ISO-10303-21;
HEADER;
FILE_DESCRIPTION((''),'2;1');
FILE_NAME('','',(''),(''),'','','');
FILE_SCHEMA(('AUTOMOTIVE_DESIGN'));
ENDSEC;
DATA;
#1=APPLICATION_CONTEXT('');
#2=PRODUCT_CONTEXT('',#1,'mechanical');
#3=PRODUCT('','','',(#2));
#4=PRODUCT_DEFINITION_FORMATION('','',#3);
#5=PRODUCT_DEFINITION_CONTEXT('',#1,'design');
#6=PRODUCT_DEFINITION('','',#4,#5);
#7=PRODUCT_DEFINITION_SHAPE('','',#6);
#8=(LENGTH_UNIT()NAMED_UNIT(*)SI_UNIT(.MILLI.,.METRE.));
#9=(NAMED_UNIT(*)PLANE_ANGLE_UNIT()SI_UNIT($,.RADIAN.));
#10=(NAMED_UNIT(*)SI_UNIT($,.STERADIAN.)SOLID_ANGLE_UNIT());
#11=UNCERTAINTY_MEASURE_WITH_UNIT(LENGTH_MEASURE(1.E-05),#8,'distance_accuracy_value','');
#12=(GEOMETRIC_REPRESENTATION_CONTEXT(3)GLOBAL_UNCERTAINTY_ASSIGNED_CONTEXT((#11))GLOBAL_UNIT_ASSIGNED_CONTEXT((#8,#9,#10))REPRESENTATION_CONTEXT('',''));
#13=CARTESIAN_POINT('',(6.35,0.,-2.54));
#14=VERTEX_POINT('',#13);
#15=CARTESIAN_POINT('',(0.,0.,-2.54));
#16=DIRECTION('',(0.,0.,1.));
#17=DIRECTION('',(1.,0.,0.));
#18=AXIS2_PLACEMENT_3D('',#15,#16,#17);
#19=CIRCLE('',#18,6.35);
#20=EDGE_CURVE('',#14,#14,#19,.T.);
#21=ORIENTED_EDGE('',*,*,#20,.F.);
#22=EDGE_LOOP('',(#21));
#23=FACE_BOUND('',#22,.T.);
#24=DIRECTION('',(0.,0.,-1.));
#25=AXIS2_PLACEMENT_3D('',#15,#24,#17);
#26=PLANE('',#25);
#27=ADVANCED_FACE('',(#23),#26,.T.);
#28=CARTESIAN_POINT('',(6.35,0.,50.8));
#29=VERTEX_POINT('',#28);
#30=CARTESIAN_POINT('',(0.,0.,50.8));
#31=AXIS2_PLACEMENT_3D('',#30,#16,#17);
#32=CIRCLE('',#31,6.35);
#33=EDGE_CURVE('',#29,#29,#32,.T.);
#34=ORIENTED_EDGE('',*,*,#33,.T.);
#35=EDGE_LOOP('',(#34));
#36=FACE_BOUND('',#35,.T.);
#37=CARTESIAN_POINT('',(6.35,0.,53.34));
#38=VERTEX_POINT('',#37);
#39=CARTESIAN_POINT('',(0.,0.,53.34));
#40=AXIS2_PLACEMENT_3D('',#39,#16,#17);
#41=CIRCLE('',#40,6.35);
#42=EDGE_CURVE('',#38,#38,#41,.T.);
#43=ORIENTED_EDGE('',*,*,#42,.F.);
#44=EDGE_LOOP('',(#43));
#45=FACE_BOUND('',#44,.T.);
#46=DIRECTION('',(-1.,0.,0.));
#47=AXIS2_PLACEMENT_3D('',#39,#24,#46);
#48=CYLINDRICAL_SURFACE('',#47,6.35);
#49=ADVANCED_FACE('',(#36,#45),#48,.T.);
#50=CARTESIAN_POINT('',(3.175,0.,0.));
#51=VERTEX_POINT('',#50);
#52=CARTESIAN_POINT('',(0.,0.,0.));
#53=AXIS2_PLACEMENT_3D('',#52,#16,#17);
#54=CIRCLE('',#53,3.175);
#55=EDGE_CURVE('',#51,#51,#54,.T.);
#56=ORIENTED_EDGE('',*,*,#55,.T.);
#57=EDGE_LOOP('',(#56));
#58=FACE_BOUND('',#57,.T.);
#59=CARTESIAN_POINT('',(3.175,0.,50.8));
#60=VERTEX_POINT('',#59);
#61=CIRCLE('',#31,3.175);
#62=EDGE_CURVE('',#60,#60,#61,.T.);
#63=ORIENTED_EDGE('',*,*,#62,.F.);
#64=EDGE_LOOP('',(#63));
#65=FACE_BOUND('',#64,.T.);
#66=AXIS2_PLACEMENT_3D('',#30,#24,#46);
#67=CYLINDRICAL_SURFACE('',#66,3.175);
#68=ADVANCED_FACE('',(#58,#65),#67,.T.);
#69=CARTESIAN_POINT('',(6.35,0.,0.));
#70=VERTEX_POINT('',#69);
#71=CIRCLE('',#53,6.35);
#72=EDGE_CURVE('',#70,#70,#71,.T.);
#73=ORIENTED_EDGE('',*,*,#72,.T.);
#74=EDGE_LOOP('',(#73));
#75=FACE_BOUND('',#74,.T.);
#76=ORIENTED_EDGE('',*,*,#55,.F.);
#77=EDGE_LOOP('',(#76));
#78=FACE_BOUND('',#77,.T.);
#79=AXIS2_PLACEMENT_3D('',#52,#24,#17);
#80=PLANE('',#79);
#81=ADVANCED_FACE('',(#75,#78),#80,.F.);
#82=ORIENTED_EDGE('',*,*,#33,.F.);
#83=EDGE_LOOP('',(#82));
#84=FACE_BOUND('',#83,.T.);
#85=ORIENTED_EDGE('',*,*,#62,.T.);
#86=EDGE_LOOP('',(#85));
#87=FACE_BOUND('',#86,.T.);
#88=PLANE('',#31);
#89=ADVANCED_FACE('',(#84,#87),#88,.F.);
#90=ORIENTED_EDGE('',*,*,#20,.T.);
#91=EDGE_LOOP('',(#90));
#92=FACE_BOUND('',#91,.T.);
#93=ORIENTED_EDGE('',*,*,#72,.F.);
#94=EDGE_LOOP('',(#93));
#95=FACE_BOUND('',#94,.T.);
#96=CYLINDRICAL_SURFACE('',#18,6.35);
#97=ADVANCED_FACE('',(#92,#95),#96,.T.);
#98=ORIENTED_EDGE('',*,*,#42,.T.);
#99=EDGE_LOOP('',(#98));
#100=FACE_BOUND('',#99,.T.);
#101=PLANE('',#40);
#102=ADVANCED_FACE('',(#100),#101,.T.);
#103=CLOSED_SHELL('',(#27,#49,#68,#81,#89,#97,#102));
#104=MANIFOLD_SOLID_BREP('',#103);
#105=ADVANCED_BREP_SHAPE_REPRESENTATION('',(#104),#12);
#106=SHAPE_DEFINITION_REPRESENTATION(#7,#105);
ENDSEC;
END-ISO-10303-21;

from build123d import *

# Parameters (mm, degrees)
SKETCH1_R           = 3.175
BOSS_EXTRUDE1_DEPTH = 50.8
SKETCH3_R           = 6.35
BOSS_EXTRUDE2_DEPTH = 2.54


with BuildPart() as part:
    # Sketch1 → Boss-Extrude1 (new body)
    with BuildSketch(Plane.XY):
        Circle(SKETCH1_R)
    extrude(amount=BOSS_EXTRUDE1_DEPTH)

    # Sketch3 → Boss-Extrude2 (add)
    with BuildSketch(Plane.XY.offset(50.8)):
        Circle(SKETCH3_R)
    boss_extrude2 = extrude(amount=BOSS_EXTRUDE2_DEPTH)

    # Mirror1: Boss-Extrude2 across plane
    add(boss_extrude2.mirror(Plane.XY.offset(25.4)))


solid = part.part
